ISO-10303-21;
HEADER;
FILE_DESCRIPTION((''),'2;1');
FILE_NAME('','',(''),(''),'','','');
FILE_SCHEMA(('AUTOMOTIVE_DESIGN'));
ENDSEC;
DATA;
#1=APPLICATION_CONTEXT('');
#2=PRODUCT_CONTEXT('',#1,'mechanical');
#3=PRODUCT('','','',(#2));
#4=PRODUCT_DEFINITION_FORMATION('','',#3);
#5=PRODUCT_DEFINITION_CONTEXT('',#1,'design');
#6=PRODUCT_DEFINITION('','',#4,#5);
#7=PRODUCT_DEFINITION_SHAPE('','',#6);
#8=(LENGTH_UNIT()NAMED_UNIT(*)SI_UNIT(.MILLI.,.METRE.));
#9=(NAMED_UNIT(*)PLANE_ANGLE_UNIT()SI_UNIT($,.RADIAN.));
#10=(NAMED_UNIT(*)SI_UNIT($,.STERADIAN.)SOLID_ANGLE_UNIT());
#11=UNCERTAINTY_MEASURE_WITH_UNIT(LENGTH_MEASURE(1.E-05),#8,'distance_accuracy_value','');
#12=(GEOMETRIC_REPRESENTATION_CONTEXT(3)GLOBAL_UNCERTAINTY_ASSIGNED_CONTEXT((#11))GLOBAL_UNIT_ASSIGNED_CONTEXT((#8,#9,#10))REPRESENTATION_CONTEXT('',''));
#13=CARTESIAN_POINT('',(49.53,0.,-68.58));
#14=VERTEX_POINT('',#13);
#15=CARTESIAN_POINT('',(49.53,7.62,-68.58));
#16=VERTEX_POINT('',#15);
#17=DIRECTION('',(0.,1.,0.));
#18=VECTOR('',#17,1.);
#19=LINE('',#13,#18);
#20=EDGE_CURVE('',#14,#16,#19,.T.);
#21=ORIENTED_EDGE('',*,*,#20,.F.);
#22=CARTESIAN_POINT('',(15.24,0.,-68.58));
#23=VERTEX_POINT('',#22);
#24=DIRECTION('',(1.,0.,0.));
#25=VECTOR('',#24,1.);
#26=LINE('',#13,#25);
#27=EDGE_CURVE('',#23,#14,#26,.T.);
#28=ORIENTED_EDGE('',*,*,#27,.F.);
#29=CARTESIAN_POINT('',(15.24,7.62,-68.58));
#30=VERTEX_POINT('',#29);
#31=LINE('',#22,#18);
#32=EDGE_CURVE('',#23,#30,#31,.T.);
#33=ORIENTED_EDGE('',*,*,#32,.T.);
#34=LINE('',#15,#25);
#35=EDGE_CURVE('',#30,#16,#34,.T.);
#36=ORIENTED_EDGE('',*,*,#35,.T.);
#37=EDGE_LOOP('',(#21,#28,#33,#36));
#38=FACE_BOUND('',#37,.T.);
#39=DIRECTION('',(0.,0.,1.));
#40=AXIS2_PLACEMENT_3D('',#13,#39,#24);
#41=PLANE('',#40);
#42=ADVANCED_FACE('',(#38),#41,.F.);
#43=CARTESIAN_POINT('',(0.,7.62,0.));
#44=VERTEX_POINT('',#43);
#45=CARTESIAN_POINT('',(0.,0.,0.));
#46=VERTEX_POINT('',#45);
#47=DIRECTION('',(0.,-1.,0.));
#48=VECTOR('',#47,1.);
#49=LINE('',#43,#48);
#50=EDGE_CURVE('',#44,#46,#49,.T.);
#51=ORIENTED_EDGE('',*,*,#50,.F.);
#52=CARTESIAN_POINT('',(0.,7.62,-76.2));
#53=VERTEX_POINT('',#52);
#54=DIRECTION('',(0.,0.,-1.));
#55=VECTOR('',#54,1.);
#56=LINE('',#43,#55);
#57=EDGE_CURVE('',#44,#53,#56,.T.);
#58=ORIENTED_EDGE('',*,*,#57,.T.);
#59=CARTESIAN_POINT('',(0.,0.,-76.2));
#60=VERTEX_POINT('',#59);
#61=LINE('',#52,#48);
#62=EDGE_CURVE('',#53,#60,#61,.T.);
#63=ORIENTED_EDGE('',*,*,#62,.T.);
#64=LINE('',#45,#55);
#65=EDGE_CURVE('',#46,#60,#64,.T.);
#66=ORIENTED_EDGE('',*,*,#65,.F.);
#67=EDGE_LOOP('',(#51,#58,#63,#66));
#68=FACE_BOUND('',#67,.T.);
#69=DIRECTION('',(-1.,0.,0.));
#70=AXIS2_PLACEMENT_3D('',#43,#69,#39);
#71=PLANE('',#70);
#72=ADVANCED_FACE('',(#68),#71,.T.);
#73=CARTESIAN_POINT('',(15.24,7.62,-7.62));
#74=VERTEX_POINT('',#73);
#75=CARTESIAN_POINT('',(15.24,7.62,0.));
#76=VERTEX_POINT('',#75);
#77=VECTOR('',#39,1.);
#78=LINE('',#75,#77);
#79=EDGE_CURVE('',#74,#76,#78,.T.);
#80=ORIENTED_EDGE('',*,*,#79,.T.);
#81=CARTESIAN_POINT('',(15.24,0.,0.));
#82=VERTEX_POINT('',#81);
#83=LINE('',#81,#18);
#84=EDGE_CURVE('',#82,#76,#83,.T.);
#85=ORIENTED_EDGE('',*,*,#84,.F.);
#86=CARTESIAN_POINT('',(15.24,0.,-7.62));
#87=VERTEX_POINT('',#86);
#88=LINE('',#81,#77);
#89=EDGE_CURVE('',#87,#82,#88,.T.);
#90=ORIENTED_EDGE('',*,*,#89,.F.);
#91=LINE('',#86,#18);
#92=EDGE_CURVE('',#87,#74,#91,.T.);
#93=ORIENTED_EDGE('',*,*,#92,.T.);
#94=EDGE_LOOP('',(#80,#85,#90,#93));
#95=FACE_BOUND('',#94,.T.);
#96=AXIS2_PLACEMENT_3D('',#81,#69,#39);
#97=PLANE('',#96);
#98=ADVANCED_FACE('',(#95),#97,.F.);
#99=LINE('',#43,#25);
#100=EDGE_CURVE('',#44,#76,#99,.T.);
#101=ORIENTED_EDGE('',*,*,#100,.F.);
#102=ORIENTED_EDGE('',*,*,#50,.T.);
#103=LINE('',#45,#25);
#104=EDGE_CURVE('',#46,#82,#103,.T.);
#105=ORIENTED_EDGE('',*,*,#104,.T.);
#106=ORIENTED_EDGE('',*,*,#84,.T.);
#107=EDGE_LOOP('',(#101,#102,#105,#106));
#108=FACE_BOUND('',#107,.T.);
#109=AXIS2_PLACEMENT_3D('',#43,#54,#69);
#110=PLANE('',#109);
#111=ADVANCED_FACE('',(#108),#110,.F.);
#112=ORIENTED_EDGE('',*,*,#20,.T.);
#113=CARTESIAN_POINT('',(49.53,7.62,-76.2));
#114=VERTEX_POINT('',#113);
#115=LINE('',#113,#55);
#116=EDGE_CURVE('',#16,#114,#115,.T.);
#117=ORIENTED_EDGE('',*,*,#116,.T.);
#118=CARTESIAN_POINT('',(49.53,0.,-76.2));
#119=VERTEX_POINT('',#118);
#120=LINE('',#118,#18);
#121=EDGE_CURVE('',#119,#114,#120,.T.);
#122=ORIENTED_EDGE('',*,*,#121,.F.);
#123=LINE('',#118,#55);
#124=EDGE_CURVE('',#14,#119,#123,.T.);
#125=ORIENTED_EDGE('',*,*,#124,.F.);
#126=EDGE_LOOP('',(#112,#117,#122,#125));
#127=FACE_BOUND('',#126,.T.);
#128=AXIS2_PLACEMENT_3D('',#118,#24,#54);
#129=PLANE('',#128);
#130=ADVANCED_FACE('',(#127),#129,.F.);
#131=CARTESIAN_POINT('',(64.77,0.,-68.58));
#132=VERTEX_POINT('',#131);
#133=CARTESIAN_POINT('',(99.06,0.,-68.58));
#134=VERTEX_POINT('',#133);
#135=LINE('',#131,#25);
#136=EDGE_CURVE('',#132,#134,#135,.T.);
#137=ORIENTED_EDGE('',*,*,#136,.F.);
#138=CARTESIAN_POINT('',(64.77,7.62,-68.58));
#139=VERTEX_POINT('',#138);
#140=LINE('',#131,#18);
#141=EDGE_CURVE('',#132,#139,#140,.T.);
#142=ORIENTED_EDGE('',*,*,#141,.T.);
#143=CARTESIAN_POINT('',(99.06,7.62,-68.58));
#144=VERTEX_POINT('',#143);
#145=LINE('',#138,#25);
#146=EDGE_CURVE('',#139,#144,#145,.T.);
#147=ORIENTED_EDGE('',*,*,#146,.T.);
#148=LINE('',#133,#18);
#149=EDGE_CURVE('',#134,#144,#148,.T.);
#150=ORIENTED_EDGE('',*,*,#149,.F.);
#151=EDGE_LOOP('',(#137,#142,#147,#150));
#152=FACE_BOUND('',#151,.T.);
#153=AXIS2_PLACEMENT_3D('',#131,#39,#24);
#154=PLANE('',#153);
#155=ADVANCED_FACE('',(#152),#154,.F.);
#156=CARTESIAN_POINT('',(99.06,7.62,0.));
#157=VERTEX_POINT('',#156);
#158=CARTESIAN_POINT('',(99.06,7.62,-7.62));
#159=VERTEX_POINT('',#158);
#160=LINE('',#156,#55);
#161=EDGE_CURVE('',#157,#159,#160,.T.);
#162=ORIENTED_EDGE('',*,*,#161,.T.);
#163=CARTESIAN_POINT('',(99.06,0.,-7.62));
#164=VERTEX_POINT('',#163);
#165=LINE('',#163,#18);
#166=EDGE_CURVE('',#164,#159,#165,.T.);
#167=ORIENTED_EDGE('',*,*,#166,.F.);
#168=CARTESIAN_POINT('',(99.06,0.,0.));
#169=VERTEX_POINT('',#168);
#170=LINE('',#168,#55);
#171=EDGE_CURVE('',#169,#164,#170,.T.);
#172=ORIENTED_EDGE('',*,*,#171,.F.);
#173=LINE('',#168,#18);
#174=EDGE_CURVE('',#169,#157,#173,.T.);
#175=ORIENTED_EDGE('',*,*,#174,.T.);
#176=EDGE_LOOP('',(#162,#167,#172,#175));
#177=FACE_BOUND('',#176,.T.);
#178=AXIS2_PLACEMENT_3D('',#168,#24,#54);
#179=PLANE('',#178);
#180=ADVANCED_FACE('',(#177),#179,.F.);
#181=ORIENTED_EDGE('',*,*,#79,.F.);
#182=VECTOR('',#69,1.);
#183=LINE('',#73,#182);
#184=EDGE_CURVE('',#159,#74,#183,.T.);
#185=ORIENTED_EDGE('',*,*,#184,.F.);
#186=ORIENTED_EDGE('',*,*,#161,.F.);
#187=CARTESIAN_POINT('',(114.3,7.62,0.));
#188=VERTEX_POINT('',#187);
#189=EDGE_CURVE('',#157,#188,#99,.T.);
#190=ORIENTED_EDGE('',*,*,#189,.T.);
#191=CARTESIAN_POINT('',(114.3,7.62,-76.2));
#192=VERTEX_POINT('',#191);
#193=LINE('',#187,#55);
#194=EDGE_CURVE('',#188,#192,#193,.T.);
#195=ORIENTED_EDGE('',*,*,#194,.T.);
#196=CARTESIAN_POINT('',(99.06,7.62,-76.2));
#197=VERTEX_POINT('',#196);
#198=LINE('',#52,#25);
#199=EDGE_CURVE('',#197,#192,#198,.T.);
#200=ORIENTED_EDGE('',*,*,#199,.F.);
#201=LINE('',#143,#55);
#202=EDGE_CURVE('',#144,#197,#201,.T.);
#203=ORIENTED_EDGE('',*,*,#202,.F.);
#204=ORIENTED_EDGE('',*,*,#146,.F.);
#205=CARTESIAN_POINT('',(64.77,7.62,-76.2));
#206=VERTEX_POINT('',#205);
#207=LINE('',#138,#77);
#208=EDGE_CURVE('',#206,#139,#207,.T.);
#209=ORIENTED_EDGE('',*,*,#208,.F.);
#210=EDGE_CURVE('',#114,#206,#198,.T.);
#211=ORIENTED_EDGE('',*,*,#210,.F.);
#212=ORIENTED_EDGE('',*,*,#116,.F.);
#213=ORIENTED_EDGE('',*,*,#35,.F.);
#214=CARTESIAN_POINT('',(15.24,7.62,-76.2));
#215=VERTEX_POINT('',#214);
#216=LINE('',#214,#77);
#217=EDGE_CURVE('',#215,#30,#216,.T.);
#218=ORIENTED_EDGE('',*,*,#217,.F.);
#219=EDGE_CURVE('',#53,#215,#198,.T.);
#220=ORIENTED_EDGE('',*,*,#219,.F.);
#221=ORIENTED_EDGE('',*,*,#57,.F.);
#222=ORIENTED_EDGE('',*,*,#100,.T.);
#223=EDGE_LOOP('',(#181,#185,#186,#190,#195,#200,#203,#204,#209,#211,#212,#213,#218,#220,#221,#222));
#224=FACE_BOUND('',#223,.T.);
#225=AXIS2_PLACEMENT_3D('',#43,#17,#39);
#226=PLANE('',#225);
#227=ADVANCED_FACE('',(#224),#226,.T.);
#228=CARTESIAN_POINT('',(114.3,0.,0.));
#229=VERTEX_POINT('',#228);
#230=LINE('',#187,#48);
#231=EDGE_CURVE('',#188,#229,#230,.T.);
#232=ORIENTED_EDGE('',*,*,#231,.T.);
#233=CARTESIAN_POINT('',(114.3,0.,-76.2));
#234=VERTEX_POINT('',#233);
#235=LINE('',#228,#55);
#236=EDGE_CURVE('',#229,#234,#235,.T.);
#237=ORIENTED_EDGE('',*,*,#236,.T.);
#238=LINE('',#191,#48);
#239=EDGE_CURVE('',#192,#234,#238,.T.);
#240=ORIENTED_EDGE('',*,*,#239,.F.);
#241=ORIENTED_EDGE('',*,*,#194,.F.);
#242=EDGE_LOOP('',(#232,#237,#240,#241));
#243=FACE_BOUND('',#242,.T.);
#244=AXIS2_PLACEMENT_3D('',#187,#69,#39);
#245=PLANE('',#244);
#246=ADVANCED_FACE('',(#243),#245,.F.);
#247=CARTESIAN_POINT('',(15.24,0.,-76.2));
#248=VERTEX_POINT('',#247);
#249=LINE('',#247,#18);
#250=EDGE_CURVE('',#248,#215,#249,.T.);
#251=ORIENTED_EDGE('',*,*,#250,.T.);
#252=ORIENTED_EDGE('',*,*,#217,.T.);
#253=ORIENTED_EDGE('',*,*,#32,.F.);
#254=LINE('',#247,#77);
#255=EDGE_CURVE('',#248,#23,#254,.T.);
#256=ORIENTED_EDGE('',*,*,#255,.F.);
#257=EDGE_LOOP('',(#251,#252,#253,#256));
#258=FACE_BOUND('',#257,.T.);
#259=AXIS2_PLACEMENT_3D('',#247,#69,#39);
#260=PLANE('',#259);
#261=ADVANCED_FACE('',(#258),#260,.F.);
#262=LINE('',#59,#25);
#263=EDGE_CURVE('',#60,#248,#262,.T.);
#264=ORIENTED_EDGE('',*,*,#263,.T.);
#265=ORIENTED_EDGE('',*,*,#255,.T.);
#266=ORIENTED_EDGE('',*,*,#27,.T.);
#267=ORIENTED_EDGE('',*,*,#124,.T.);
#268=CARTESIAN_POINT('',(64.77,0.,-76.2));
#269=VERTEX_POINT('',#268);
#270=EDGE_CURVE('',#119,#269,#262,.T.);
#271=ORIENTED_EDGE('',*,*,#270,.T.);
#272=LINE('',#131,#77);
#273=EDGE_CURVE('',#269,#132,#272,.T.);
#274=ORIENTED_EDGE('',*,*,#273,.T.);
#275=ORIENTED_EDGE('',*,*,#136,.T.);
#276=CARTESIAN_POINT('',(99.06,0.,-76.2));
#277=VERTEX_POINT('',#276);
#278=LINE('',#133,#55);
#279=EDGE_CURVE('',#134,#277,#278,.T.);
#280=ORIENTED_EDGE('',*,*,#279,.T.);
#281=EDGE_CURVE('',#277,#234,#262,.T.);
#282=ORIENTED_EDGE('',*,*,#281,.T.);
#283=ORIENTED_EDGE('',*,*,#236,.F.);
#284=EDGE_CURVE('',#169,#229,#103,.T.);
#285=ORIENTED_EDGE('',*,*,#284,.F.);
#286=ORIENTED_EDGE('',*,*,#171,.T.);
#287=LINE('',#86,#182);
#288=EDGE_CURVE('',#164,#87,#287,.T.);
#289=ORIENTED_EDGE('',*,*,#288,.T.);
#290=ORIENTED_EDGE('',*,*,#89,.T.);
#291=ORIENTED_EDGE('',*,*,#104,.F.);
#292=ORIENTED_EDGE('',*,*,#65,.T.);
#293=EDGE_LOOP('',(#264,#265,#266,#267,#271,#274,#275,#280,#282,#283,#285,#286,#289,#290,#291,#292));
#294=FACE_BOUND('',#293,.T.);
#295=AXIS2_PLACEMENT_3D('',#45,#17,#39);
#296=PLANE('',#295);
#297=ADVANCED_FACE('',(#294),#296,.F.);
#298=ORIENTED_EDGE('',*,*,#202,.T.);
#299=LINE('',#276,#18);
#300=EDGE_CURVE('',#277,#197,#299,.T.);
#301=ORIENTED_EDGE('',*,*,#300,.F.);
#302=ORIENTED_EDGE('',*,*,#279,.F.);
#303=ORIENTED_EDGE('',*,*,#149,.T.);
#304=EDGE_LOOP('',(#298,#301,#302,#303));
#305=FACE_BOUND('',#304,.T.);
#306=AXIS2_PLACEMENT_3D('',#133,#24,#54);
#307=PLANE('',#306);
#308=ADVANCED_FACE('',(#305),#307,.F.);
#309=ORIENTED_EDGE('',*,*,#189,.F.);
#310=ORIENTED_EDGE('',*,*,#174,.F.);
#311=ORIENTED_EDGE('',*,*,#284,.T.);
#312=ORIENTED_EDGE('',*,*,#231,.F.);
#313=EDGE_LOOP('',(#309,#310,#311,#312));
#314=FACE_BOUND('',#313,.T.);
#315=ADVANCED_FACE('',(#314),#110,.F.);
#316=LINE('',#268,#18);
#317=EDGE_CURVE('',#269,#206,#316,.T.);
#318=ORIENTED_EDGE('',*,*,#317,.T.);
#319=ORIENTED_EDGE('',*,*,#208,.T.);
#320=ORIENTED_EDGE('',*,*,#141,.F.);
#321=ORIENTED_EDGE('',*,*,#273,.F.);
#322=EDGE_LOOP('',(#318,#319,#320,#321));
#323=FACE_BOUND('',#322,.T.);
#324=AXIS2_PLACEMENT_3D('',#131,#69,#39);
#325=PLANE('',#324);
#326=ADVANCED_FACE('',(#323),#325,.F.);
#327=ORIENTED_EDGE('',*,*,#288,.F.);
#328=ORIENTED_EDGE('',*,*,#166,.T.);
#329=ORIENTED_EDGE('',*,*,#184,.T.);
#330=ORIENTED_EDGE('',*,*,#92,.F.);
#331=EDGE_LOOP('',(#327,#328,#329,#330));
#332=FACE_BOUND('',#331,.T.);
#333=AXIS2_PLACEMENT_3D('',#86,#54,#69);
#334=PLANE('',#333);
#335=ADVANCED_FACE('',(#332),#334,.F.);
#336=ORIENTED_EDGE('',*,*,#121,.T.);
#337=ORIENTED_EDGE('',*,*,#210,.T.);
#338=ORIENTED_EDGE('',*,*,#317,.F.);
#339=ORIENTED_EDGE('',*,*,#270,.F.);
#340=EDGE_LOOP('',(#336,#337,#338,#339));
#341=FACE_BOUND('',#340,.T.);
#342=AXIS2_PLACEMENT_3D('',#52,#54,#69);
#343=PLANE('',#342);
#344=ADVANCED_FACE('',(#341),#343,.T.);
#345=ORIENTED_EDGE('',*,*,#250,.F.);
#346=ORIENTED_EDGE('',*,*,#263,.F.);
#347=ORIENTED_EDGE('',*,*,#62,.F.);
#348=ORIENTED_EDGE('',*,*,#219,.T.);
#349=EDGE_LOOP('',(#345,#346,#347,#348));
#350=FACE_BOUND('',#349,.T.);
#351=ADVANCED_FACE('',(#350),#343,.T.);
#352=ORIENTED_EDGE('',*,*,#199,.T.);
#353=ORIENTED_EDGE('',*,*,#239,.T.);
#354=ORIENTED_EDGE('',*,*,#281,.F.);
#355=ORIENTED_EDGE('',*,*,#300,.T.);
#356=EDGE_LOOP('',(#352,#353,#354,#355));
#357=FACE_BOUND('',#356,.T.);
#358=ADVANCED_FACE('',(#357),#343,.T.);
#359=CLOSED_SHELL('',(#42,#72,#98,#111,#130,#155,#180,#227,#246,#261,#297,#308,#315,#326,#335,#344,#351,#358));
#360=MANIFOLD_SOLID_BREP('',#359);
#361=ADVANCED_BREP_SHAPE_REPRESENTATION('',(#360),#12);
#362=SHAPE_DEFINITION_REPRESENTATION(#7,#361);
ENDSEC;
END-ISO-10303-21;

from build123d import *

# Parameters (mm, degrees)
SKETCH1_W           = 114.3
SKETCH1_H           = 76.2
BOSS_EXTRUDE1_DEPTH = 7.62
SKETCH2_W           = 83.82
SKETCH2_H           = 7.62
SKETCH2_W_2         = 34.29
CUT_EXTRUDE1_DEPTH  = 8.62


with BuildPart() as part:
    # Sketch1 → Boss-Extrude1 (new body)
    with BuildSketch(Plane(origin=(0, 0, 0), x_dir=(1, 0, 0), z_dir=(0, 1, 0))):
        with Locations((57.15, 38.1)):
            Rectangle(SKETCH1_W, SKETCH1_H)
    extrude(amount=BOSS_EXTRUDE1_DEPTH)

    # Sketch2 → Cut-Extrude1 (cut, through all)
    with BuildSketch(Plane(origin=(0, 7.62, 0), x_dir=(1, 0, 0), z_dir=(0, 1, 0))):
        with Locations((57.15, 3.81)):
            Rectangle(SKETCH2_W, SKETCH2_H)
        with Locations((32.385, 72.39)):
            Rectangle(SKETCH2_W_2, SKETCH2_H)
        with Locations((81.915, 72.39)):
            Rectangle(SKETCH2_W_2, SKETCH2_H)
    extrude(amount=-CUT_EXTRUDE1_DEPTH, mode=Mode.SUBTRACT)


solid = part.part
